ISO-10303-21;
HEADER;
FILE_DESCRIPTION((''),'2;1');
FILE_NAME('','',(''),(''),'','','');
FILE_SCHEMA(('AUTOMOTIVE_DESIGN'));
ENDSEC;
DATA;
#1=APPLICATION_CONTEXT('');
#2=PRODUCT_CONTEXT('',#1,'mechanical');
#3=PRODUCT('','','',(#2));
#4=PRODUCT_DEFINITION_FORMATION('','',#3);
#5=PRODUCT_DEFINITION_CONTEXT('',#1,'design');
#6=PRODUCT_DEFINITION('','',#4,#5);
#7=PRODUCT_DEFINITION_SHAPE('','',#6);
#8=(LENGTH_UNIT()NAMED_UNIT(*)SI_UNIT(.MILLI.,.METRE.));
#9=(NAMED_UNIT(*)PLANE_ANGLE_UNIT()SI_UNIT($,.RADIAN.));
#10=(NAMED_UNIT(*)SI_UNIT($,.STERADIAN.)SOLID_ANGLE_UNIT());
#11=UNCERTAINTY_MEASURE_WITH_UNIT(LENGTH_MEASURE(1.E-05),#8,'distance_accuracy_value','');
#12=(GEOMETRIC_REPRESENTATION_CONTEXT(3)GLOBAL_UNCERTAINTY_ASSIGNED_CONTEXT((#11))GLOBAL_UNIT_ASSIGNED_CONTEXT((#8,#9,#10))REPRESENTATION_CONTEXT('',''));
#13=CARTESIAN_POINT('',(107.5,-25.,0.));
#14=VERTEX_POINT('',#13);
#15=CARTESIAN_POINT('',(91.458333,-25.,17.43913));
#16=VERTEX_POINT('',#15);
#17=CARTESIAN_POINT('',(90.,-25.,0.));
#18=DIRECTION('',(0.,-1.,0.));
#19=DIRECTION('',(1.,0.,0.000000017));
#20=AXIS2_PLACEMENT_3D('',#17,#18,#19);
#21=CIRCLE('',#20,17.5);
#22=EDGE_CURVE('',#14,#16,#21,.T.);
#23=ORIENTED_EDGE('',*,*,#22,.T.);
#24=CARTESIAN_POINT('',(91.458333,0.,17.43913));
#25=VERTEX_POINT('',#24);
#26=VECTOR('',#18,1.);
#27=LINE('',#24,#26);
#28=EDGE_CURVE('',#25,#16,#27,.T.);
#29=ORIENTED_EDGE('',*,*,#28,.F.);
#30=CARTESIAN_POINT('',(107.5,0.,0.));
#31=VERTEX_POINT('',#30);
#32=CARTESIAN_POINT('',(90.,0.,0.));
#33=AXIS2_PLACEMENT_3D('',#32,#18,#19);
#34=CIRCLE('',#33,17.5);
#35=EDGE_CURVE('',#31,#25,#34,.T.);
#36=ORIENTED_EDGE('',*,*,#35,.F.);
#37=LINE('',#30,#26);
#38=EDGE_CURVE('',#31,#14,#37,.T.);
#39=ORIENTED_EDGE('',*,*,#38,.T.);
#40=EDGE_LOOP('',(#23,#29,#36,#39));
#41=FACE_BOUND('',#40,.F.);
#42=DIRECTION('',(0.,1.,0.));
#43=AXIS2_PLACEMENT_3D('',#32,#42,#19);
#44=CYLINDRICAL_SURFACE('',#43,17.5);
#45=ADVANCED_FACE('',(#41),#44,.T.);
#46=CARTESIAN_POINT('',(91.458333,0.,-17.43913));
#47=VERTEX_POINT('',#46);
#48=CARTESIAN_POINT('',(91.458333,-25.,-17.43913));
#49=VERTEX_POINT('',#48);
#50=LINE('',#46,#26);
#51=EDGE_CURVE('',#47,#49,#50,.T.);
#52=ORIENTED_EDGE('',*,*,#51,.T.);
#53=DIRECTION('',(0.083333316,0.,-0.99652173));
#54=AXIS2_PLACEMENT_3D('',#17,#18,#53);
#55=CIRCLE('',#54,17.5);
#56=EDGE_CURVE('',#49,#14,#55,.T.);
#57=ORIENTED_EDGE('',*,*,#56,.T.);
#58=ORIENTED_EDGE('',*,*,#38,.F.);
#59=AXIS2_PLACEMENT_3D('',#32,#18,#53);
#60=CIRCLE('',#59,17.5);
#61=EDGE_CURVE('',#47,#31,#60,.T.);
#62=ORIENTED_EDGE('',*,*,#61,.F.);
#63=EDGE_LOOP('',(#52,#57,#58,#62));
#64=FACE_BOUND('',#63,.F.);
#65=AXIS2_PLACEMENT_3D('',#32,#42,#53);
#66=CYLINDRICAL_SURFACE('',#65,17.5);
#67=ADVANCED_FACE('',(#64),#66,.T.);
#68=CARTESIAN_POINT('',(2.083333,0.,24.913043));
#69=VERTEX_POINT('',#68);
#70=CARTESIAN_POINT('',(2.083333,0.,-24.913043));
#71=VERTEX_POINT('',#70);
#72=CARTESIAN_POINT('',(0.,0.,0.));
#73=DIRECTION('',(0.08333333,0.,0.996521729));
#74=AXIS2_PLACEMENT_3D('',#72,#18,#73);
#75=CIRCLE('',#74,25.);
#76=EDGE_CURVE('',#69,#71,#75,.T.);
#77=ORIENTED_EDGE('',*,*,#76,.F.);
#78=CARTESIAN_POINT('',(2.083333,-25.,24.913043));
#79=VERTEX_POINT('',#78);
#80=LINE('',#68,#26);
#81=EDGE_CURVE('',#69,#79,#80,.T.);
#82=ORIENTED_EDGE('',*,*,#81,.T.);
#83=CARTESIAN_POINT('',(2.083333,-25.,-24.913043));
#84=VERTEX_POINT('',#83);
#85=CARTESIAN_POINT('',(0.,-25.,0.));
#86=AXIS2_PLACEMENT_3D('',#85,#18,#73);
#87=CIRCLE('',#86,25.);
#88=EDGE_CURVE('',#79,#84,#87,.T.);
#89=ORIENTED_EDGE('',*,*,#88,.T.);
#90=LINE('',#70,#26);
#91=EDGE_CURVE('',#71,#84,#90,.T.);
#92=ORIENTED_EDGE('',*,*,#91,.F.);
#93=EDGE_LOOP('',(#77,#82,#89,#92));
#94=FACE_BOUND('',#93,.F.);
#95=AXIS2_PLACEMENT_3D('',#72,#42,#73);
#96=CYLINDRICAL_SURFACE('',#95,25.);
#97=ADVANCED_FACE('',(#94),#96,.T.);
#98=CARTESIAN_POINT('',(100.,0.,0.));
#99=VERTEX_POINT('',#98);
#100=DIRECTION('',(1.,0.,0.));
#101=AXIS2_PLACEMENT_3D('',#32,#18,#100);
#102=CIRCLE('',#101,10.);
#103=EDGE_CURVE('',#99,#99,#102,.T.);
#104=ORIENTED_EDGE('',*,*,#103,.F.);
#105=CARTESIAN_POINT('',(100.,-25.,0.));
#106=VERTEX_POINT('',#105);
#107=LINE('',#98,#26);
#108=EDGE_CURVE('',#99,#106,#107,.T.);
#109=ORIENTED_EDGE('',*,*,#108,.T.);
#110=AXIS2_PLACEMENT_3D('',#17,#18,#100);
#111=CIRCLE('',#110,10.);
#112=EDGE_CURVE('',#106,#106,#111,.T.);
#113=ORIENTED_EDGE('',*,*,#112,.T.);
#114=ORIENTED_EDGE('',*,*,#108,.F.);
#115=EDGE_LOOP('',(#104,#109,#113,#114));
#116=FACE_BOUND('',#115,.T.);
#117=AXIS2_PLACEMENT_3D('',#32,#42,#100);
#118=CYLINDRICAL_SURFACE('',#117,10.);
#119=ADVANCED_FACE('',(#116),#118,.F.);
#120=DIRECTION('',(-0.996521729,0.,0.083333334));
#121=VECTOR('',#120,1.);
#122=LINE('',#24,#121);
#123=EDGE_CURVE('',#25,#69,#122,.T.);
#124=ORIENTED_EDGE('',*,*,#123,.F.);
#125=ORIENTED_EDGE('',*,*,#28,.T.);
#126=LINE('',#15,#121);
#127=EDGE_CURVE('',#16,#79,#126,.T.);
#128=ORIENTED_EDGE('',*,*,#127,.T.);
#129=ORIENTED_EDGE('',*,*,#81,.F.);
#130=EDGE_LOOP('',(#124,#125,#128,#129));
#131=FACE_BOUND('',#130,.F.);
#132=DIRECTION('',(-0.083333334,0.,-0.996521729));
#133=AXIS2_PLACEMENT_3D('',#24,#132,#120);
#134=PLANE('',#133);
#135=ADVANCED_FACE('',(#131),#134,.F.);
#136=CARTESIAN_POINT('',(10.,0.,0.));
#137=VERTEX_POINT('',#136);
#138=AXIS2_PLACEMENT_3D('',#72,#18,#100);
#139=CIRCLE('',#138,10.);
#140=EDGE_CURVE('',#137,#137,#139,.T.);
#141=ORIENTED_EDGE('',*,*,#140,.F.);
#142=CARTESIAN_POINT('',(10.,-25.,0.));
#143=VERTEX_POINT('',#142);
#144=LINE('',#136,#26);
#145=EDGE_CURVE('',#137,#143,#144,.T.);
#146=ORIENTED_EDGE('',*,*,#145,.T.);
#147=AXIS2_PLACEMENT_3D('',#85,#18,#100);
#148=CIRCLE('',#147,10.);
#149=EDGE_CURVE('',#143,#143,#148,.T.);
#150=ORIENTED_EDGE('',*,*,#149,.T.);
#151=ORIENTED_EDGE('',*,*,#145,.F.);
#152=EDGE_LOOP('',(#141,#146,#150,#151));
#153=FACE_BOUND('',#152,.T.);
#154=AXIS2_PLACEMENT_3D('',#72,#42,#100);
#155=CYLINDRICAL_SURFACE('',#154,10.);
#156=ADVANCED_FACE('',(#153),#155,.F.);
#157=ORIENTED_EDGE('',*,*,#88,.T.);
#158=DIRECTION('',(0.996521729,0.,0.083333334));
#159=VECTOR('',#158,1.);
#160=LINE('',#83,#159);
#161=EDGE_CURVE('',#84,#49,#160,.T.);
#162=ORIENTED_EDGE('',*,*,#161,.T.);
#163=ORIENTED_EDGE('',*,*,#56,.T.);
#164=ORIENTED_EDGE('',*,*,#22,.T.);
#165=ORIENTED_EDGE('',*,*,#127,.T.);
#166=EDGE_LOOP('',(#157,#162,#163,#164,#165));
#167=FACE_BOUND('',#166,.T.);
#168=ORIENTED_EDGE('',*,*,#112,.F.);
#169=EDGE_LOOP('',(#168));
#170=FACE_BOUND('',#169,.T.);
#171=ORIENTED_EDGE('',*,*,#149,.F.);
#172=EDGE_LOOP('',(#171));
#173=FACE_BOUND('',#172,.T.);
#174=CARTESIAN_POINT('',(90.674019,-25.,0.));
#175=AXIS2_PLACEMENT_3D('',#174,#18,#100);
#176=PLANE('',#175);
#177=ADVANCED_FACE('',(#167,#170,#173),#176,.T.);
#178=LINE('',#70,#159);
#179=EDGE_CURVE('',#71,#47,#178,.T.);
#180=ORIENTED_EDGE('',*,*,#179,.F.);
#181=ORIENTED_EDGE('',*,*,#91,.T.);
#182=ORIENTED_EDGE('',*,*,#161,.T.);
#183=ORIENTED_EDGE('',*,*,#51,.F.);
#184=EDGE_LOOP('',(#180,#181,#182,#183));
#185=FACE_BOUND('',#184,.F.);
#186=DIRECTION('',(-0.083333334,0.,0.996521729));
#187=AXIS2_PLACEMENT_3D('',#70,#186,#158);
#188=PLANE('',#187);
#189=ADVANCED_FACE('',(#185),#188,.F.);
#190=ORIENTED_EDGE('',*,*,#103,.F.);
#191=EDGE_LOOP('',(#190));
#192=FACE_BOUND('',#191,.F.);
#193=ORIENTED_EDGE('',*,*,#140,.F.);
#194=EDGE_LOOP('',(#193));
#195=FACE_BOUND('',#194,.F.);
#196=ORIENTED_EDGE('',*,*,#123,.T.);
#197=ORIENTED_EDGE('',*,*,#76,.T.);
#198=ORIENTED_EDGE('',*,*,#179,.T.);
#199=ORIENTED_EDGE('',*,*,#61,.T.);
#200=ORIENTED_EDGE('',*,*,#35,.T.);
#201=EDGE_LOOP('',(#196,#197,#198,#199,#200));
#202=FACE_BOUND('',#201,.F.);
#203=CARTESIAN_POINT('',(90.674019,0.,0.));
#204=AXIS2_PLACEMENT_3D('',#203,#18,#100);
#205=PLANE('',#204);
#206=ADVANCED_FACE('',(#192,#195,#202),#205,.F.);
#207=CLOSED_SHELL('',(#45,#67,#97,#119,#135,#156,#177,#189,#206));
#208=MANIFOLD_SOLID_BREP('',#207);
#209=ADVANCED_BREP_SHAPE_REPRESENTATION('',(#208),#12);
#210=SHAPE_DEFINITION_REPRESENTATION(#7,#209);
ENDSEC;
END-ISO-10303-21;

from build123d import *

# Parameters (mm, degrees)
F0_R     = 10
F1_DEPTH = 25


with BuildPart() as f1:
    # F0 (on Front) → F1 (new body)
    with BuildSketch(Plane.XZ):
        with BuildLine():
            ThreePointArc((107.5, 0), (102.879651, 11.847556), (91.458333, 17.43913))
            ThreePointArc((91.458333, 17.43913), (72.5, 0), (91.458333, -17.43913))
            ThreePointArc((91.458333, -17.43913), (102.879651, -11.847556), (107.5, 0))
        make_face()
        with Locations((90, 0)):
            Circle(F0_R, mode=Mode.SUBTRACT)
        with BuildLine():
            ThreePointArc((2.083333, 24.913043), (18.399502, 16.92508), (25, 0))
            ThreePointArc((25, 0), (18.399502, -16.92508), (2.083333, -24.913043))
            Line((2.083333, -24.913043), (91.458333, -17.43913))
            ThreePointArc((91.458333, -17.43913), (72.5, 0), (91.458333, 17.43913))
            Line((91.458333, 17.43913), (2.083333, 24.913043))
        make_face()
        with BuildLine():
            ThreePointArc((2.083333, -24.913043), (18.399502, -16.92508), (25, 0))
            ThreePointArc((25, 0), (18.399502, 16.92508), (2.083333, 24.913043))
            ThreePointArc((2.083333, 24.913043), (-25, 0), (2.083333, -24.913043))
        make_face()
        Circle(F0_R, mode=Mode.SUBTRACT)
    extrude(amount=F1_DEPTH)


solid = f1.part
